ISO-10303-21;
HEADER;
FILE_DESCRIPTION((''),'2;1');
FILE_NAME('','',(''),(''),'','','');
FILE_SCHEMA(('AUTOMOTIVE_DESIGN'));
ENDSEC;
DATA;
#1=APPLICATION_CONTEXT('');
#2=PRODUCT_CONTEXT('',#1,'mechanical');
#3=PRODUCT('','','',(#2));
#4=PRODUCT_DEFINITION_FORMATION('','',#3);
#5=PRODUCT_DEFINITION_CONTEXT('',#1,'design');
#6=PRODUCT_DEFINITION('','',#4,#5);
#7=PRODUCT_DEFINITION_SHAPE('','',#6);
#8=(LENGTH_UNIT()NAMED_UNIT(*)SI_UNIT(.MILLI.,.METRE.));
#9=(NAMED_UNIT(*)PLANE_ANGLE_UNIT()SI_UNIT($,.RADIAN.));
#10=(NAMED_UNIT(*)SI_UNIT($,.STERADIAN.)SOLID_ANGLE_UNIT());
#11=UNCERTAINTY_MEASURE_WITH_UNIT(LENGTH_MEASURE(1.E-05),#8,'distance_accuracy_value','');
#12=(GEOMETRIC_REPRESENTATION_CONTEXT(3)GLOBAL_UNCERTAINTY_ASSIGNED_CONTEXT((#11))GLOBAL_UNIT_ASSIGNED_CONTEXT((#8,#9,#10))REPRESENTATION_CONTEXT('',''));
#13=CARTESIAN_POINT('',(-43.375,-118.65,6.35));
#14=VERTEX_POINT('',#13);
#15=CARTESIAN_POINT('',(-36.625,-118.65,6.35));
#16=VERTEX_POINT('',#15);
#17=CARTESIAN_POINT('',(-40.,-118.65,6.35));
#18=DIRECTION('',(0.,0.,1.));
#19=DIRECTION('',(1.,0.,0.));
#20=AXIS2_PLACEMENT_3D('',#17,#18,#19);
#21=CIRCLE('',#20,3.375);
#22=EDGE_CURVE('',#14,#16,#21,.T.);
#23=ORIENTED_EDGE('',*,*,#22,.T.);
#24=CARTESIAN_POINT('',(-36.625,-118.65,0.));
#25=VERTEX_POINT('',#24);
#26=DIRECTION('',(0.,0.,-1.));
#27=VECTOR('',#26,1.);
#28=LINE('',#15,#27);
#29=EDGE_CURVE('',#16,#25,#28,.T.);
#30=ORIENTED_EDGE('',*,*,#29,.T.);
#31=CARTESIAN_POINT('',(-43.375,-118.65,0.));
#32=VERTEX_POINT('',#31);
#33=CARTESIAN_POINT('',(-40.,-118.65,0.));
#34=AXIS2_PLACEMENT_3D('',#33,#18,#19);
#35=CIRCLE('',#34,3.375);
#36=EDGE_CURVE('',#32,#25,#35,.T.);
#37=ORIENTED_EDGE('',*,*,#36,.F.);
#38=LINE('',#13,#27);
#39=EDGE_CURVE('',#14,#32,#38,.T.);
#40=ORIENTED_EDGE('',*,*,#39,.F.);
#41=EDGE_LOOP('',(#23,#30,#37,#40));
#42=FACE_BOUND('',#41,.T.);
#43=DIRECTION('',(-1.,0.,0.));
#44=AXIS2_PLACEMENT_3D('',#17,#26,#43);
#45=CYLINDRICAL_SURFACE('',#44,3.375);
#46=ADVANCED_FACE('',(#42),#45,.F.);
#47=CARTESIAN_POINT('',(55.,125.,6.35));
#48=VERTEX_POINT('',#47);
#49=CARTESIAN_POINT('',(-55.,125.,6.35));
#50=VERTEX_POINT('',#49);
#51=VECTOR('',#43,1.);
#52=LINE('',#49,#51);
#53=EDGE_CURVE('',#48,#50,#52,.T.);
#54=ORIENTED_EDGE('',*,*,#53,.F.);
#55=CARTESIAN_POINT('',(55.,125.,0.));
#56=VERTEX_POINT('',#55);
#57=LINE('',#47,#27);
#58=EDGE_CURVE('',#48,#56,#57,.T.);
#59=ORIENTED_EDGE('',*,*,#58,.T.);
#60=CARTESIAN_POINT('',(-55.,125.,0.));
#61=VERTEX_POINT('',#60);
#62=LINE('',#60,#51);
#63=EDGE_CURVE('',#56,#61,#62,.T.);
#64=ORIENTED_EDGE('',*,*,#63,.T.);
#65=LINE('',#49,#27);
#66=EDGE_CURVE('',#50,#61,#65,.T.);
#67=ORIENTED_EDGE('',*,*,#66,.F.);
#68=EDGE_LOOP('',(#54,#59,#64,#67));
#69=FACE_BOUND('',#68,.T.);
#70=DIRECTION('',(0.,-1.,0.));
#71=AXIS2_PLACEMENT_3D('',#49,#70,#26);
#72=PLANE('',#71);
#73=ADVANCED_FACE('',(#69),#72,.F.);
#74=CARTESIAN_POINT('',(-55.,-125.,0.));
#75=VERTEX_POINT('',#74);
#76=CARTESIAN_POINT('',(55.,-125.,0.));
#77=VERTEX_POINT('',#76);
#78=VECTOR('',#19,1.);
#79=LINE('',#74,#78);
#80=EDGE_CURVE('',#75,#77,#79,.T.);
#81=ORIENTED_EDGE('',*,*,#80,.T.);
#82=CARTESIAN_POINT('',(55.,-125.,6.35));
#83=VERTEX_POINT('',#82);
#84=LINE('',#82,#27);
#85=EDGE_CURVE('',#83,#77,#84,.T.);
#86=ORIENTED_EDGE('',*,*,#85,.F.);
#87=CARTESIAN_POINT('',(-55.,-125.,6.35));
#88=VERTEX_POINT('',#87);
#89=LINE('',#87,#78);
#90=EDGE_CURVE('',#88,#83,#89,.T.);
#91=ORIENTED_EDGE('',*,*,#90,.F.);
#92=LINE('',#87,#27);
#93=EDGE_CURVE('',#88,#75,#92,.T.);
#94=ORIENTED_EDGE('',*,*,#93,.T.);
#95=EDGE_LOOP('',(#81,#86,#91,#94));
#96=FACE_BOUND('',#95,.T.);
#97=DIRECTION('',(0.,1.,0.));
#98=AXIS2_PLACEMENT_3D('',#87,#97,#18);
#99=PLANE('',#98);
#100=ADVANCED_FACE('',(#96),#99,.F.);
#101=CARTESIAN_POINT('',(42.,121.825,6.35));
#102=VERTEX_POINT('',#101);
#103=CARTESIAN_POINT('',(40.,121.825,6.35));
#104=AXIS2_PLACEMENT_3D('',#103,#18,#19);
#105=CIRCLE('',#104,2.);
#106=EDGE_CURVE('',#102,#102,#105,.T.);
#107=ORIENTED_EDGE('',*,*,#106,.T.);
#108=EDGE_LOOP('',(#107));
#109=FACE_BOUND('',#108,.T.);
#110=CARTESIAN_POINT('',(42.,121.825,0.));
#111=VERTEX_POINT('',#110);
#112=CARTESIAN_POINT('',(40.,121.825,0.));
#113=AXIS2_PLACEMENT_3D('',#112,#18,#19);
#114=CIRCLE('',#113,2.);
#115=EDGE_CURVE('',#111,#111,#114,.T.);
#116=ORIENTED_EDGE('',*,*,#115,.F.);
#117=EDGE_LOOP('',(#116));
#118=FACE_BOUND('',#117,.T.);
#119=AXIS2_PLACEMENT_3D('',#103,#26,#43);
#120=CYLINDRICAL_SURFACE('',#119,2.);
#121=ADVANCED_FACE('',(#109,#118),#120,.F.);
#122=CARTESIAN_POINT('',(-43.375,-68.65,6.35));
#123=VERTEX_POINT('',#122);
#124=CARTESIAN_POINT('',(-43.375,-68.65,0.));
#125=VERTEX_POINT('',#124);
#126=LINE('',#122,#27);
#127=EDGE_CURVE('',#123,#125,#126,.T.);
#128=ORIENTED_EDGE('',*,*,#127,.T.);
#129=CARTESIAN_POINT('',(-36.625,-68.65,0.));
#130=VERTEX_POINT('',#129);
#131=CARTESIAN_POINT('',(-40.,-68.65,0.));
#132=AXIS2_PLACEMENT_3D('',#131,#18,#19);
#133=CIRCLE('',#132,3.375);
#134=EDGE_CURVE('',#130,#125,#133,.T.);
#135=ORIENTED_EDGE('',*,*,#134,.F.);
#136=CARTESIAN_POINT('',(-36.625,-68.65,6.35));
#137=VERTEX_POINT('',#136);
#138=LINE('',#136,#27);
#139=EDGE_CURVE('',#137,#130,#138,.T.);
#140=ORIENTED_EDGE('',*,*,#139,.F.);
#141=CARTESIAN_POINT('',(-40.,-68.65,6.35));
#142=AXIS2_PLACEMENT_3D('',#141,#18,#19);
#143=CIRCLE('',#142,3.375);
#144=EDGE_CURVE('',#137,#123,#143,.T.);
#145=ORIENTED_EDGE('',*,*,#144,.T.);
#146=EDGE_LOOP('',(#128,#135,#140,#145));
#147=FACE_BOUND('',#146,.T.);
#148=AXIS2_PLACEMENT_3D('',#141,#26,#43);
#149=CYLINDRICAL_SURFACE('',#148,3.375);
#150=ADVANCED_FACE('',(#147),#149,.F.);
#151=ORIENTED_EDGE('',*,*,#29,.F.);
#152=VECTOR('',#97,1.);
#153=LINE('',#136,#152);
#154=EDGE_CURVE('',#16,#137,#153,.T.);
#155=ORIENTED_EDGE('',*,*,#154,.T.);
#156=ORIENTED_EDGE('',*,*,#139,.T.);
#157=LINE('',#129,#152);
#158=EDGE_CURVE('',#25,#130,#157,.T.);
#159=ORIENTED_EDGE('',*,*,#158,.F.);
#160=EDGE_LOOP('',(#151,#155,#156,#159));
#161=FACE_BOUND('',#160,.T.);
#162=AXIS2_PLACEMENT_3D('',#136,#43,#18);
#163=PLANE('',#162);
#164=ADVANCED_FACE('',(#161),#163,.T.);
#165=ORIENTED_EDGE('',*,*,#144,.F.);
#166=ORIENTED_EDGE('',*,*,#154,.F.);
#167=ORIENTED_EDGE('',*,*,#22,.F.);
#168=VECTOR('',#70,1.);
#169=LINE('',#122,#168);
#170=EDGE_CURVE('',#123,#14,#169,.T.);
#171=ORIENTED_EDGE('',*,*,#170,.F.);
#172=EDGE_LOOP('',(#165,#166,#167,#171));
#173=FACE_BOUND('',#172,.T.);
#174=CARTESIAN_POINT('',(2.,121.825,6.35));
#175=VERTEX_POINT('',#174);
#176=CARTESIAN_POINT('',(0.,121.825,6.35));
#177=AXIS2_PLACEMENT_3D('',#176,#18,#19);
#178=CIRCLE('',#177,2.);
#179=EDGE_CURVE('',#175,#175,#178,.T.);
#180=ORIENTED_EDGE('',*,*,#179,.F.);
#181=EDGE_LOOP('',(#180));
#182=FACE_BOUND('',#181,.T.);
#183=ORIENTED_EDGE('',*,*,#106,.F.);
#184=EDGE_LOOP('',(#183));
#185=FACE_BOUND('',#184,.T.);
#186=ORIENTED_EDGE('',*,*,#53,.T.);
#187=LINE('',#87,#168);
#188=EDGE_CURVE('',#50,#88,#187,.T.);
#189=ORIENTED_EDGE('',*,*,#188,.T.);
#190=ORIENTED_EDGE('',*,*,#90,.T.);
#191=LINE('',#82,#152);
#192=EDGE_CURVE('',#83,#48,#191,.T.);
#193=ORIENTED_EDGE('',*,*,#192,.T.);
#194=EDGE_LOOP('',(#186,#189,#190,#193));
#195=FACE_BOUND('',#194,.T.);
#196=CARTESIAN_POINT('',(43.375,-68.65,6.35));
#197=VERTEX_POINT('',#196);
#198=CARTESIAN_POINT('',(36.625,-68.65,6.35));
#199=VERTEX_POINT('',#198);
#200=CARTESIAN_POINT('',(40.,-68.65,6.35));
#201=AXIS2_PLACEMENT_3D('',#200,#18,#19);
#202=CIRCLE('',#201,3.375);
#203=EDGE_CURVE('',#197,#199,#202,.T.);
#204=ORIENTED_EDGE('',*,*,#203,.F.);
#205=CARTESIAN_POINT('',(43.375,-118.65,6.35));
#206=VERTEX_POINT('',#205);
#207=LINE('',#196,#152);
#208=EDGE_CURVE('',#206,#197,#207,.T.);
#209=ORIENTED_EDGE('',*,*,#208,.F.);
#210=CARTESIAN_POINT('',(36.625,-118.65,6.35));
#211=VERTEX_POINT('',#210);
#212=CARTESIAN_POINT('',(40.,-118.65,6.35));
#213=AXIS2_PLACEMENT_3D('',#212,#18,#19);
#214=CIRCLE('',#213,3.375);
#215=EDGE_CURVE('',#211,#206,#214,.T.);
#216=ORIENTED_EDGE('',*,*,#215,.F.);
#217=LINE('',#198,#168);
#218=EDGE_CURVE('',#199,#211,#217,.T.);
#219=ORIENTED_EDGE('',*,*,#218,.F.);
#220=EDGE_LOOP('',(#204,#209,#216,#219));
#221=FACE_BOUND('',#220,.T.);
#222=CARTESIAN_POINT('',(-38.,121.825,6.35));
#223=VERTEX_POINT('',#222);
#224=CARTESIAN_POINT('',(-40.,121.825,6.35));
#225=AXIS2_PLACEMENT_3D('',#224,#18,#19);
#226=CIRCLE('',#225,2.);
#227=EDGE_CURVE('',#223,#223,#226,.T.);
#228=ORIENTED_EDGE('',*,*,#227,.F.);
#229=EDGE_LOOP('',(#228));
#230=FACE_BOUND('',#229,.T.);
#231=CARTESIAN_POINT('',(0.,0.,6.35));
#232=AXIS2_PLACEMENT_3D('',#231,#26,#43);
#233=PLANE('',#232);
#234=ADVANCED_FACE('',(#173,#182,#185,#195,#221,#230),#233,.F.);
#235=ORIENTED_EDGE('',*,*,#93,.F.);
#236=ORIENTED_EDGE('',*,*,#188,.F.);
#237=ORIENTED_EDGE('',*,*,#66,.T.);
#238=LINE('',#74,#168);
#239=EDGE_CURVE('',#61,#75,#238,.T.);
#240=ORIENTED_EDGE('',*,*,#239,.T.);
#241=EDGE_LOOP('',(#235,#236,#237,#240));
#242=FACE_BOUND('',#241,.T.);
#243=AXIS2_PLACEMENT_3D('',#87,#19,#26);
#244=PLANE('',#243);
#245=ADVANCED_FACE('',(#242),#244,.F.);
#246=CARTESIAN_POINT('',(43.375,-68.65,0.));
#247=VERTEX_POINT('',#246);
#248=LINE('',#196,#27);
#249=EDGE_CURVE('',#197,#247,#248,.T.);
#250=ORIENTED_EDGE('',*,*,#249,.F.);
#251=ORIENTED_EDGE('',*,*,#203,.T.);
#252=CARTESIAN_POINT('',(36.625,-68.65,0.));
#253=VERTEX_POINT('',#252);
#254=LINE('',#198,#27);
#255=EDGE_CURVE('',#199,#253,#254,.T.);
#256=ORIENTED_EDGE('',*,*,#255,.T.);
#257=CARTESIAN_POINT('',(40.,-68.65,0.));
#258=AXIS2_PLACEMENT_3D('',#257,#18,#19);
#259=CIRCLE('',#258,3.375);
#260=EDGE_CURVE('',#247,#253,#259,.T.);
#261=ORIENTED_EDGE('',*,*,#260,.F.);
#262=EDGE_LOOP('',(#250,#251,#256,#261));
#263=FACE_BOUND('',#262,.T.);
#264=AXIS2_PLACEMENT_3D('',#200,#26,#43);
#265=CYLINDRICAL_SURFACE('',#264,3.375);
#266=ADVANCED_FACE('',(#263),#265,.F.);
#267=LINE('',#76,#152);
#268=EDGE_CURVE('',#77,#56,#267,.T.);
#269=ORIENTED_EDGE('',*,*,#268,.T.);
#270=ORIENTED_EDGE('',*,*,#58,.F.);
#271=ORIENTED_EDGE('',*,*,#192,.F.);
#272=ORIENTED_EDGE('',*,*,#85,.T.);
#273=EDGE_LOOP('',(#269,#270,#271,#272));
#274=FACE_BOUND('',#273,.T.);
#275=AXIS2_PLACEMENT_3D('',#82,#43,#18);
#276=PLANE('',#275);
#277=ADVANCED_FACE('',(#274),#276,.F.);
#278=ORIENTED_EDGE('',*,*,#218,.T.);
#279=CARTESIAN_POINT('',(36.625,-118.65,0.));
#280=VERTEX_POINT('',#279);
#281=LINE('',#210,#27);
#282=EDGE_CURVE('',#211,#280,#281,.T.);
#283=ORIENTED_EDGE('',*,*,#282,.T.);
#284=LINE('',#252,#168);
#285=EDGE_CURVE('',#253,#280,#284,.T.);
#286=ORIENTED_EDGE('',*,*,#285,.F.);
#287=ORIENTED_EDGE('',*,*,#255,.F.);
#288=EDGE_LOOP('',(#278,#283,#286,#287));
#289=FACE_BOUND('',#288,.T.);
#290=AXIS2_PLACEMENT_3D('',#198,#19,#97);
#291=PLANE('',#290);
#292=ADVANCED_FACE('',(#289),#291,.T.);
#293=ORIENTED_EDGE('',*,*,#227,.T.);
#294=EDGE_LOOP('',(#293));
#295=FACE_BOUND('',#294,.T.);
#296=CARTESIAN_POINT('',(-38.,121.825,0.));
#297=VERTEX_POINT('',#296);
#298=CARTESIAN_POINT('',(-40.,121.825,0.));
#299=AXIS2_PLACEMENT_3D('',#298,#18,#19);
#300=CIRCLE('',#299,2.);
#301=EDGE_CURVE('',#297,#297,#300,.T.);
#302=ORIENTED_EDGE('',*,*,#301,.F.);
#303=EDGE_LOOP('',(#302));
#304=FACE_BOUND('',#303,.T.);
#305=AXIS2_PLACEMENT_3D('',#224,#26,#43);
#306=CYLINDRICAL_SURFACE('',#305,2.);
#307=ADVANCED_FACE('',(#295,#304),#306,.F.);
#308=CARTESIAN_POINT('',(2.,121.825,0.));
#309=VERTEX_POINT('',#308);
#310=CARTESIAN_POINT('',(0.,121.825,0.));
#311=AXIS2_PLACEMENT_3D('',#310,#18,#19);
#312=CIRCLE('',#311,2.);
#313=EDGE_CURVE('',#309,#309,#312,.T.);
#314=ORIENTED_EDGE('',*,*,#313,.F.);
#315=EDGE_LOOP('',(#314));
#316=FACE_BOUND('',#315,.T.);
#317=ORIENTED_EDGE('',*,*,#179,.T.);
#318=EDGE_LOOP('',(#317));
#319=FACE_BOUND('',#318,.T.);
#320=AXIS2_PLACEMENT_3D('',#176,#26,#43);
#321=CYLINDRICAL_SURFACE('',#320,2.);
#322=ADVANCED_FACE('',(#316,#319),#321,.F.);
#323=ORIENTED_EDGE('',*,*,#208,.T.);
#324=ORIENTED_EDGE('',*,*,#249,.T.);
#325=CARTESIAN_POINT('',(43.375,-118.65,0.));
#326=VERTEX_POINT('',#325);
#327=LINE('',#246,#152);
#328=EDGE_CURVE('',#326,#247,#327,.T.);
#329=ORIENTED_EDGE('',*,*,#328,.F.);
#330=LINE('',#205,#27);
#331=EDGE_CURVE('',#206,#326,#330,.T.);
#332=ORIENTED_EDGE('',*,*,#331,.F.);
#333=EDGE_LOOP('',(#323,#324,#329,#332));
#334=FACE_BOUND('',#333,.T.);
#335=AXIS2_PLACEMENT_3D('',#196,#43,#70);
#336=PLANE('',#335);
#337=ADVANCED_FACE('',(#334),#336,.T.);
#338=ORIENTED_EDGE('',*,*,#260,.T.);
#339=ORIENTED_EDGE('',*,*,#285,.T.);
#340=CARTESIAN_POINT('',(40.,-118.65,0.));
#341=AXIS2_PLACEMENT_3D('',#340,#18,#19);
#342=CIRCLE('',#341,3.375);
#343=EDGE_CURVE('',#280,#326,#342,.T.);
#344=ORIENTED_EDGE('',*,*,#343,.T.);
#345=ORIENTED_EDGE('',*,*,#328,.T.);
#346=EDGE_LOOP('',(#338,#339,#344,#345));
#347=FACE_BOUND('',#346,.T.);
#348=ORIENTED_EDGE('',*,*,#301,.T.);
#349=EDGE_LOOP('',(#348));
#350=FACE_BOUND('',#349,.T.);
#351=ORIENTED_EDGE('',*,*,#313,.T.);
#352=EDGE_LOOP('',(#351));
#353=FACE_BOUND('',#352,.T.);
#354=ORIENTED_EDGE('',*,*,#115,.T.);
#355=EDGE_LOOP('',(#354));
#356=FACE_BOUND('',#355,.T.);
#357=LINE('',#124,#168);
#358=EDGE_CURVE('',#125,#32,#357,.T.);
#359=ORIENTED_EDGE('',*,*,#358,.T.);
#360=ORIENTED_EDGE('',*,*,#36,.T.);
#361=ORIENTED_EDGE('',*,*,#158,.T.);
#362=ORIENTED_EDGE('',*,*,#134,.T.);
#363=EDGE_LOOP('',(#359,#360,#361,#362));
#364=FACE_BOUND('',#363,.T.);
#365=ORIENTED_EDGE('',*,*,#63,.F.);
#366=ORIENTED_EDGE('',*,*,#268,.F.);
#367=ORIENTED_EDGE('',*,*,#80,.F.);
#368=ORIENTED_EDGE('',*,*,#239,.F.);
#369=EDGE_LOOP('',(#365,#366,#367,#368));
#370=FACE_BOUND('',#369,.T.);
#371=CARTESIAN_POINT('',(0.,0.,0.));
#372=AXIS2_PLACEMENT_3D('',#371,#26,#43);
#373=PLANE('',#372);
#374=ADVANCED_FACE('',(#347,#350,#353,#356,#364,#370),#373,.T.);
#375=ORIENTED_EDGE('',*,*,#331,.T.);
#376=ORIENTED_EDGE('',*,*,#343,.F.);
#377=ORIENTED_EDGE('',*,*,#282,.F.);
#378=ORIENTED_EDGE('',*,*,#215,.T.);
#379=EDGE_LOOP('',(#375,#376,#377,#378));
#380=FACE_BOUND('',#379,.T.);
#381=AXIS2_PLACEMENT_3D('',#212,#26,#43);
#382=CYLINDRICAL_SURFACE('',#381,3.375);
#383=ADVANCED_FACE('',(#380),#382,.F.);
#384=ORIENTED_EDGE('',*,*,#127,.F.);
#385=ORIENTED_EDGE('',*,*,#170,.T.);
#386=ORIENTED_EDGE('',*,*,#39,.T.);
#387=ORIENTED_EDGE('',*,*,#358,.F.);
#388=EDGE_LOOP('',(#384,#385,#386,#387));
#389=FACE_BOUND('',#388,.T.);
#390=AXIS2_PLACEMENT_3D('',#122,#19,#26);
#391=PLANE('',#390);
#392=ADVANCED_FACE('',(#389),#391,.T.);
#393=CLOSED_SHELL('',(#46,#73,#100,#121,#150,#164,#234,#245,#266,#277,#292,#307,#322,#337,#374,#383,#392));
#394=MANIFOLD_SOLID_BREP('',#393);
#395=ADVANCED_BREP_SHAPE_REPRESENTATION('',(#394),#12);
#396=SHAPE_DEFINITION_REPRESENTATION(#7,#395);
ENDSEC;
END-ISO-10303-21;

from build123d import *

# Parameters (mm, degrees)
CROQUIS1_W              = 110
CROQUIS1_H              = 250
SALIENTE_EXTRUIR1_DEPTH = 6.35
CROQUIS2_R              = 2
CORTAR_EXTRUIR2_DEPTH   = 7.35


with BuildPart() as part:
    # Croquis1 → Saliente-Extruir1 (new body)
    with BuildSketch(Plane.XY):
        Rectangle(CROQUIS1_W, CROQUIS1_H)
    extrude(amount=SALIENTE_EXTRUIR1_DEPTH)

    # Croquis2 → Cortar-Extruir2 (cut, through all)
    with BuildSketch(Plane.XY):
        with Locations((40, 121.825)):
            Circle(CROQUIS2_R)
        with Locations((-40, 121.825)):
            Circle(CROQUIS2_R)
        with Locations((0, 121.825)):
            Circle(CROQUIS2_R)
        with BuildLine():
            Line((36.625, -68.65), (36.625, -118.65))
            ThreePointArc((36.625, -118.65), (40, -122.025), (43.375, -118.65))
            Line((43.375, -118.65), (43.375, -68.65))
            ThreePointArc((43.375, -68.65), (40, -65.275), (36.625, -68.65))
        make_face()
        with BuildLine():
            Line((-43.375, -68.65), (-43.375, -118.65))
            ThreePointArc((-43.375, -118.65), (-40, -122.025), (-36.625, -118.65))
            Line((-36.625, -118.65), (-36.625, -68.65))
            ThreePointArc((-36.625, -68.65), (-40, -65.275), (-43.375, -68.65))
        make_face()
    extrude(amount=CORTAR_EXTRUIR2_DEPTH, mode=Mode.SUBTRACT)


solid = part.part
